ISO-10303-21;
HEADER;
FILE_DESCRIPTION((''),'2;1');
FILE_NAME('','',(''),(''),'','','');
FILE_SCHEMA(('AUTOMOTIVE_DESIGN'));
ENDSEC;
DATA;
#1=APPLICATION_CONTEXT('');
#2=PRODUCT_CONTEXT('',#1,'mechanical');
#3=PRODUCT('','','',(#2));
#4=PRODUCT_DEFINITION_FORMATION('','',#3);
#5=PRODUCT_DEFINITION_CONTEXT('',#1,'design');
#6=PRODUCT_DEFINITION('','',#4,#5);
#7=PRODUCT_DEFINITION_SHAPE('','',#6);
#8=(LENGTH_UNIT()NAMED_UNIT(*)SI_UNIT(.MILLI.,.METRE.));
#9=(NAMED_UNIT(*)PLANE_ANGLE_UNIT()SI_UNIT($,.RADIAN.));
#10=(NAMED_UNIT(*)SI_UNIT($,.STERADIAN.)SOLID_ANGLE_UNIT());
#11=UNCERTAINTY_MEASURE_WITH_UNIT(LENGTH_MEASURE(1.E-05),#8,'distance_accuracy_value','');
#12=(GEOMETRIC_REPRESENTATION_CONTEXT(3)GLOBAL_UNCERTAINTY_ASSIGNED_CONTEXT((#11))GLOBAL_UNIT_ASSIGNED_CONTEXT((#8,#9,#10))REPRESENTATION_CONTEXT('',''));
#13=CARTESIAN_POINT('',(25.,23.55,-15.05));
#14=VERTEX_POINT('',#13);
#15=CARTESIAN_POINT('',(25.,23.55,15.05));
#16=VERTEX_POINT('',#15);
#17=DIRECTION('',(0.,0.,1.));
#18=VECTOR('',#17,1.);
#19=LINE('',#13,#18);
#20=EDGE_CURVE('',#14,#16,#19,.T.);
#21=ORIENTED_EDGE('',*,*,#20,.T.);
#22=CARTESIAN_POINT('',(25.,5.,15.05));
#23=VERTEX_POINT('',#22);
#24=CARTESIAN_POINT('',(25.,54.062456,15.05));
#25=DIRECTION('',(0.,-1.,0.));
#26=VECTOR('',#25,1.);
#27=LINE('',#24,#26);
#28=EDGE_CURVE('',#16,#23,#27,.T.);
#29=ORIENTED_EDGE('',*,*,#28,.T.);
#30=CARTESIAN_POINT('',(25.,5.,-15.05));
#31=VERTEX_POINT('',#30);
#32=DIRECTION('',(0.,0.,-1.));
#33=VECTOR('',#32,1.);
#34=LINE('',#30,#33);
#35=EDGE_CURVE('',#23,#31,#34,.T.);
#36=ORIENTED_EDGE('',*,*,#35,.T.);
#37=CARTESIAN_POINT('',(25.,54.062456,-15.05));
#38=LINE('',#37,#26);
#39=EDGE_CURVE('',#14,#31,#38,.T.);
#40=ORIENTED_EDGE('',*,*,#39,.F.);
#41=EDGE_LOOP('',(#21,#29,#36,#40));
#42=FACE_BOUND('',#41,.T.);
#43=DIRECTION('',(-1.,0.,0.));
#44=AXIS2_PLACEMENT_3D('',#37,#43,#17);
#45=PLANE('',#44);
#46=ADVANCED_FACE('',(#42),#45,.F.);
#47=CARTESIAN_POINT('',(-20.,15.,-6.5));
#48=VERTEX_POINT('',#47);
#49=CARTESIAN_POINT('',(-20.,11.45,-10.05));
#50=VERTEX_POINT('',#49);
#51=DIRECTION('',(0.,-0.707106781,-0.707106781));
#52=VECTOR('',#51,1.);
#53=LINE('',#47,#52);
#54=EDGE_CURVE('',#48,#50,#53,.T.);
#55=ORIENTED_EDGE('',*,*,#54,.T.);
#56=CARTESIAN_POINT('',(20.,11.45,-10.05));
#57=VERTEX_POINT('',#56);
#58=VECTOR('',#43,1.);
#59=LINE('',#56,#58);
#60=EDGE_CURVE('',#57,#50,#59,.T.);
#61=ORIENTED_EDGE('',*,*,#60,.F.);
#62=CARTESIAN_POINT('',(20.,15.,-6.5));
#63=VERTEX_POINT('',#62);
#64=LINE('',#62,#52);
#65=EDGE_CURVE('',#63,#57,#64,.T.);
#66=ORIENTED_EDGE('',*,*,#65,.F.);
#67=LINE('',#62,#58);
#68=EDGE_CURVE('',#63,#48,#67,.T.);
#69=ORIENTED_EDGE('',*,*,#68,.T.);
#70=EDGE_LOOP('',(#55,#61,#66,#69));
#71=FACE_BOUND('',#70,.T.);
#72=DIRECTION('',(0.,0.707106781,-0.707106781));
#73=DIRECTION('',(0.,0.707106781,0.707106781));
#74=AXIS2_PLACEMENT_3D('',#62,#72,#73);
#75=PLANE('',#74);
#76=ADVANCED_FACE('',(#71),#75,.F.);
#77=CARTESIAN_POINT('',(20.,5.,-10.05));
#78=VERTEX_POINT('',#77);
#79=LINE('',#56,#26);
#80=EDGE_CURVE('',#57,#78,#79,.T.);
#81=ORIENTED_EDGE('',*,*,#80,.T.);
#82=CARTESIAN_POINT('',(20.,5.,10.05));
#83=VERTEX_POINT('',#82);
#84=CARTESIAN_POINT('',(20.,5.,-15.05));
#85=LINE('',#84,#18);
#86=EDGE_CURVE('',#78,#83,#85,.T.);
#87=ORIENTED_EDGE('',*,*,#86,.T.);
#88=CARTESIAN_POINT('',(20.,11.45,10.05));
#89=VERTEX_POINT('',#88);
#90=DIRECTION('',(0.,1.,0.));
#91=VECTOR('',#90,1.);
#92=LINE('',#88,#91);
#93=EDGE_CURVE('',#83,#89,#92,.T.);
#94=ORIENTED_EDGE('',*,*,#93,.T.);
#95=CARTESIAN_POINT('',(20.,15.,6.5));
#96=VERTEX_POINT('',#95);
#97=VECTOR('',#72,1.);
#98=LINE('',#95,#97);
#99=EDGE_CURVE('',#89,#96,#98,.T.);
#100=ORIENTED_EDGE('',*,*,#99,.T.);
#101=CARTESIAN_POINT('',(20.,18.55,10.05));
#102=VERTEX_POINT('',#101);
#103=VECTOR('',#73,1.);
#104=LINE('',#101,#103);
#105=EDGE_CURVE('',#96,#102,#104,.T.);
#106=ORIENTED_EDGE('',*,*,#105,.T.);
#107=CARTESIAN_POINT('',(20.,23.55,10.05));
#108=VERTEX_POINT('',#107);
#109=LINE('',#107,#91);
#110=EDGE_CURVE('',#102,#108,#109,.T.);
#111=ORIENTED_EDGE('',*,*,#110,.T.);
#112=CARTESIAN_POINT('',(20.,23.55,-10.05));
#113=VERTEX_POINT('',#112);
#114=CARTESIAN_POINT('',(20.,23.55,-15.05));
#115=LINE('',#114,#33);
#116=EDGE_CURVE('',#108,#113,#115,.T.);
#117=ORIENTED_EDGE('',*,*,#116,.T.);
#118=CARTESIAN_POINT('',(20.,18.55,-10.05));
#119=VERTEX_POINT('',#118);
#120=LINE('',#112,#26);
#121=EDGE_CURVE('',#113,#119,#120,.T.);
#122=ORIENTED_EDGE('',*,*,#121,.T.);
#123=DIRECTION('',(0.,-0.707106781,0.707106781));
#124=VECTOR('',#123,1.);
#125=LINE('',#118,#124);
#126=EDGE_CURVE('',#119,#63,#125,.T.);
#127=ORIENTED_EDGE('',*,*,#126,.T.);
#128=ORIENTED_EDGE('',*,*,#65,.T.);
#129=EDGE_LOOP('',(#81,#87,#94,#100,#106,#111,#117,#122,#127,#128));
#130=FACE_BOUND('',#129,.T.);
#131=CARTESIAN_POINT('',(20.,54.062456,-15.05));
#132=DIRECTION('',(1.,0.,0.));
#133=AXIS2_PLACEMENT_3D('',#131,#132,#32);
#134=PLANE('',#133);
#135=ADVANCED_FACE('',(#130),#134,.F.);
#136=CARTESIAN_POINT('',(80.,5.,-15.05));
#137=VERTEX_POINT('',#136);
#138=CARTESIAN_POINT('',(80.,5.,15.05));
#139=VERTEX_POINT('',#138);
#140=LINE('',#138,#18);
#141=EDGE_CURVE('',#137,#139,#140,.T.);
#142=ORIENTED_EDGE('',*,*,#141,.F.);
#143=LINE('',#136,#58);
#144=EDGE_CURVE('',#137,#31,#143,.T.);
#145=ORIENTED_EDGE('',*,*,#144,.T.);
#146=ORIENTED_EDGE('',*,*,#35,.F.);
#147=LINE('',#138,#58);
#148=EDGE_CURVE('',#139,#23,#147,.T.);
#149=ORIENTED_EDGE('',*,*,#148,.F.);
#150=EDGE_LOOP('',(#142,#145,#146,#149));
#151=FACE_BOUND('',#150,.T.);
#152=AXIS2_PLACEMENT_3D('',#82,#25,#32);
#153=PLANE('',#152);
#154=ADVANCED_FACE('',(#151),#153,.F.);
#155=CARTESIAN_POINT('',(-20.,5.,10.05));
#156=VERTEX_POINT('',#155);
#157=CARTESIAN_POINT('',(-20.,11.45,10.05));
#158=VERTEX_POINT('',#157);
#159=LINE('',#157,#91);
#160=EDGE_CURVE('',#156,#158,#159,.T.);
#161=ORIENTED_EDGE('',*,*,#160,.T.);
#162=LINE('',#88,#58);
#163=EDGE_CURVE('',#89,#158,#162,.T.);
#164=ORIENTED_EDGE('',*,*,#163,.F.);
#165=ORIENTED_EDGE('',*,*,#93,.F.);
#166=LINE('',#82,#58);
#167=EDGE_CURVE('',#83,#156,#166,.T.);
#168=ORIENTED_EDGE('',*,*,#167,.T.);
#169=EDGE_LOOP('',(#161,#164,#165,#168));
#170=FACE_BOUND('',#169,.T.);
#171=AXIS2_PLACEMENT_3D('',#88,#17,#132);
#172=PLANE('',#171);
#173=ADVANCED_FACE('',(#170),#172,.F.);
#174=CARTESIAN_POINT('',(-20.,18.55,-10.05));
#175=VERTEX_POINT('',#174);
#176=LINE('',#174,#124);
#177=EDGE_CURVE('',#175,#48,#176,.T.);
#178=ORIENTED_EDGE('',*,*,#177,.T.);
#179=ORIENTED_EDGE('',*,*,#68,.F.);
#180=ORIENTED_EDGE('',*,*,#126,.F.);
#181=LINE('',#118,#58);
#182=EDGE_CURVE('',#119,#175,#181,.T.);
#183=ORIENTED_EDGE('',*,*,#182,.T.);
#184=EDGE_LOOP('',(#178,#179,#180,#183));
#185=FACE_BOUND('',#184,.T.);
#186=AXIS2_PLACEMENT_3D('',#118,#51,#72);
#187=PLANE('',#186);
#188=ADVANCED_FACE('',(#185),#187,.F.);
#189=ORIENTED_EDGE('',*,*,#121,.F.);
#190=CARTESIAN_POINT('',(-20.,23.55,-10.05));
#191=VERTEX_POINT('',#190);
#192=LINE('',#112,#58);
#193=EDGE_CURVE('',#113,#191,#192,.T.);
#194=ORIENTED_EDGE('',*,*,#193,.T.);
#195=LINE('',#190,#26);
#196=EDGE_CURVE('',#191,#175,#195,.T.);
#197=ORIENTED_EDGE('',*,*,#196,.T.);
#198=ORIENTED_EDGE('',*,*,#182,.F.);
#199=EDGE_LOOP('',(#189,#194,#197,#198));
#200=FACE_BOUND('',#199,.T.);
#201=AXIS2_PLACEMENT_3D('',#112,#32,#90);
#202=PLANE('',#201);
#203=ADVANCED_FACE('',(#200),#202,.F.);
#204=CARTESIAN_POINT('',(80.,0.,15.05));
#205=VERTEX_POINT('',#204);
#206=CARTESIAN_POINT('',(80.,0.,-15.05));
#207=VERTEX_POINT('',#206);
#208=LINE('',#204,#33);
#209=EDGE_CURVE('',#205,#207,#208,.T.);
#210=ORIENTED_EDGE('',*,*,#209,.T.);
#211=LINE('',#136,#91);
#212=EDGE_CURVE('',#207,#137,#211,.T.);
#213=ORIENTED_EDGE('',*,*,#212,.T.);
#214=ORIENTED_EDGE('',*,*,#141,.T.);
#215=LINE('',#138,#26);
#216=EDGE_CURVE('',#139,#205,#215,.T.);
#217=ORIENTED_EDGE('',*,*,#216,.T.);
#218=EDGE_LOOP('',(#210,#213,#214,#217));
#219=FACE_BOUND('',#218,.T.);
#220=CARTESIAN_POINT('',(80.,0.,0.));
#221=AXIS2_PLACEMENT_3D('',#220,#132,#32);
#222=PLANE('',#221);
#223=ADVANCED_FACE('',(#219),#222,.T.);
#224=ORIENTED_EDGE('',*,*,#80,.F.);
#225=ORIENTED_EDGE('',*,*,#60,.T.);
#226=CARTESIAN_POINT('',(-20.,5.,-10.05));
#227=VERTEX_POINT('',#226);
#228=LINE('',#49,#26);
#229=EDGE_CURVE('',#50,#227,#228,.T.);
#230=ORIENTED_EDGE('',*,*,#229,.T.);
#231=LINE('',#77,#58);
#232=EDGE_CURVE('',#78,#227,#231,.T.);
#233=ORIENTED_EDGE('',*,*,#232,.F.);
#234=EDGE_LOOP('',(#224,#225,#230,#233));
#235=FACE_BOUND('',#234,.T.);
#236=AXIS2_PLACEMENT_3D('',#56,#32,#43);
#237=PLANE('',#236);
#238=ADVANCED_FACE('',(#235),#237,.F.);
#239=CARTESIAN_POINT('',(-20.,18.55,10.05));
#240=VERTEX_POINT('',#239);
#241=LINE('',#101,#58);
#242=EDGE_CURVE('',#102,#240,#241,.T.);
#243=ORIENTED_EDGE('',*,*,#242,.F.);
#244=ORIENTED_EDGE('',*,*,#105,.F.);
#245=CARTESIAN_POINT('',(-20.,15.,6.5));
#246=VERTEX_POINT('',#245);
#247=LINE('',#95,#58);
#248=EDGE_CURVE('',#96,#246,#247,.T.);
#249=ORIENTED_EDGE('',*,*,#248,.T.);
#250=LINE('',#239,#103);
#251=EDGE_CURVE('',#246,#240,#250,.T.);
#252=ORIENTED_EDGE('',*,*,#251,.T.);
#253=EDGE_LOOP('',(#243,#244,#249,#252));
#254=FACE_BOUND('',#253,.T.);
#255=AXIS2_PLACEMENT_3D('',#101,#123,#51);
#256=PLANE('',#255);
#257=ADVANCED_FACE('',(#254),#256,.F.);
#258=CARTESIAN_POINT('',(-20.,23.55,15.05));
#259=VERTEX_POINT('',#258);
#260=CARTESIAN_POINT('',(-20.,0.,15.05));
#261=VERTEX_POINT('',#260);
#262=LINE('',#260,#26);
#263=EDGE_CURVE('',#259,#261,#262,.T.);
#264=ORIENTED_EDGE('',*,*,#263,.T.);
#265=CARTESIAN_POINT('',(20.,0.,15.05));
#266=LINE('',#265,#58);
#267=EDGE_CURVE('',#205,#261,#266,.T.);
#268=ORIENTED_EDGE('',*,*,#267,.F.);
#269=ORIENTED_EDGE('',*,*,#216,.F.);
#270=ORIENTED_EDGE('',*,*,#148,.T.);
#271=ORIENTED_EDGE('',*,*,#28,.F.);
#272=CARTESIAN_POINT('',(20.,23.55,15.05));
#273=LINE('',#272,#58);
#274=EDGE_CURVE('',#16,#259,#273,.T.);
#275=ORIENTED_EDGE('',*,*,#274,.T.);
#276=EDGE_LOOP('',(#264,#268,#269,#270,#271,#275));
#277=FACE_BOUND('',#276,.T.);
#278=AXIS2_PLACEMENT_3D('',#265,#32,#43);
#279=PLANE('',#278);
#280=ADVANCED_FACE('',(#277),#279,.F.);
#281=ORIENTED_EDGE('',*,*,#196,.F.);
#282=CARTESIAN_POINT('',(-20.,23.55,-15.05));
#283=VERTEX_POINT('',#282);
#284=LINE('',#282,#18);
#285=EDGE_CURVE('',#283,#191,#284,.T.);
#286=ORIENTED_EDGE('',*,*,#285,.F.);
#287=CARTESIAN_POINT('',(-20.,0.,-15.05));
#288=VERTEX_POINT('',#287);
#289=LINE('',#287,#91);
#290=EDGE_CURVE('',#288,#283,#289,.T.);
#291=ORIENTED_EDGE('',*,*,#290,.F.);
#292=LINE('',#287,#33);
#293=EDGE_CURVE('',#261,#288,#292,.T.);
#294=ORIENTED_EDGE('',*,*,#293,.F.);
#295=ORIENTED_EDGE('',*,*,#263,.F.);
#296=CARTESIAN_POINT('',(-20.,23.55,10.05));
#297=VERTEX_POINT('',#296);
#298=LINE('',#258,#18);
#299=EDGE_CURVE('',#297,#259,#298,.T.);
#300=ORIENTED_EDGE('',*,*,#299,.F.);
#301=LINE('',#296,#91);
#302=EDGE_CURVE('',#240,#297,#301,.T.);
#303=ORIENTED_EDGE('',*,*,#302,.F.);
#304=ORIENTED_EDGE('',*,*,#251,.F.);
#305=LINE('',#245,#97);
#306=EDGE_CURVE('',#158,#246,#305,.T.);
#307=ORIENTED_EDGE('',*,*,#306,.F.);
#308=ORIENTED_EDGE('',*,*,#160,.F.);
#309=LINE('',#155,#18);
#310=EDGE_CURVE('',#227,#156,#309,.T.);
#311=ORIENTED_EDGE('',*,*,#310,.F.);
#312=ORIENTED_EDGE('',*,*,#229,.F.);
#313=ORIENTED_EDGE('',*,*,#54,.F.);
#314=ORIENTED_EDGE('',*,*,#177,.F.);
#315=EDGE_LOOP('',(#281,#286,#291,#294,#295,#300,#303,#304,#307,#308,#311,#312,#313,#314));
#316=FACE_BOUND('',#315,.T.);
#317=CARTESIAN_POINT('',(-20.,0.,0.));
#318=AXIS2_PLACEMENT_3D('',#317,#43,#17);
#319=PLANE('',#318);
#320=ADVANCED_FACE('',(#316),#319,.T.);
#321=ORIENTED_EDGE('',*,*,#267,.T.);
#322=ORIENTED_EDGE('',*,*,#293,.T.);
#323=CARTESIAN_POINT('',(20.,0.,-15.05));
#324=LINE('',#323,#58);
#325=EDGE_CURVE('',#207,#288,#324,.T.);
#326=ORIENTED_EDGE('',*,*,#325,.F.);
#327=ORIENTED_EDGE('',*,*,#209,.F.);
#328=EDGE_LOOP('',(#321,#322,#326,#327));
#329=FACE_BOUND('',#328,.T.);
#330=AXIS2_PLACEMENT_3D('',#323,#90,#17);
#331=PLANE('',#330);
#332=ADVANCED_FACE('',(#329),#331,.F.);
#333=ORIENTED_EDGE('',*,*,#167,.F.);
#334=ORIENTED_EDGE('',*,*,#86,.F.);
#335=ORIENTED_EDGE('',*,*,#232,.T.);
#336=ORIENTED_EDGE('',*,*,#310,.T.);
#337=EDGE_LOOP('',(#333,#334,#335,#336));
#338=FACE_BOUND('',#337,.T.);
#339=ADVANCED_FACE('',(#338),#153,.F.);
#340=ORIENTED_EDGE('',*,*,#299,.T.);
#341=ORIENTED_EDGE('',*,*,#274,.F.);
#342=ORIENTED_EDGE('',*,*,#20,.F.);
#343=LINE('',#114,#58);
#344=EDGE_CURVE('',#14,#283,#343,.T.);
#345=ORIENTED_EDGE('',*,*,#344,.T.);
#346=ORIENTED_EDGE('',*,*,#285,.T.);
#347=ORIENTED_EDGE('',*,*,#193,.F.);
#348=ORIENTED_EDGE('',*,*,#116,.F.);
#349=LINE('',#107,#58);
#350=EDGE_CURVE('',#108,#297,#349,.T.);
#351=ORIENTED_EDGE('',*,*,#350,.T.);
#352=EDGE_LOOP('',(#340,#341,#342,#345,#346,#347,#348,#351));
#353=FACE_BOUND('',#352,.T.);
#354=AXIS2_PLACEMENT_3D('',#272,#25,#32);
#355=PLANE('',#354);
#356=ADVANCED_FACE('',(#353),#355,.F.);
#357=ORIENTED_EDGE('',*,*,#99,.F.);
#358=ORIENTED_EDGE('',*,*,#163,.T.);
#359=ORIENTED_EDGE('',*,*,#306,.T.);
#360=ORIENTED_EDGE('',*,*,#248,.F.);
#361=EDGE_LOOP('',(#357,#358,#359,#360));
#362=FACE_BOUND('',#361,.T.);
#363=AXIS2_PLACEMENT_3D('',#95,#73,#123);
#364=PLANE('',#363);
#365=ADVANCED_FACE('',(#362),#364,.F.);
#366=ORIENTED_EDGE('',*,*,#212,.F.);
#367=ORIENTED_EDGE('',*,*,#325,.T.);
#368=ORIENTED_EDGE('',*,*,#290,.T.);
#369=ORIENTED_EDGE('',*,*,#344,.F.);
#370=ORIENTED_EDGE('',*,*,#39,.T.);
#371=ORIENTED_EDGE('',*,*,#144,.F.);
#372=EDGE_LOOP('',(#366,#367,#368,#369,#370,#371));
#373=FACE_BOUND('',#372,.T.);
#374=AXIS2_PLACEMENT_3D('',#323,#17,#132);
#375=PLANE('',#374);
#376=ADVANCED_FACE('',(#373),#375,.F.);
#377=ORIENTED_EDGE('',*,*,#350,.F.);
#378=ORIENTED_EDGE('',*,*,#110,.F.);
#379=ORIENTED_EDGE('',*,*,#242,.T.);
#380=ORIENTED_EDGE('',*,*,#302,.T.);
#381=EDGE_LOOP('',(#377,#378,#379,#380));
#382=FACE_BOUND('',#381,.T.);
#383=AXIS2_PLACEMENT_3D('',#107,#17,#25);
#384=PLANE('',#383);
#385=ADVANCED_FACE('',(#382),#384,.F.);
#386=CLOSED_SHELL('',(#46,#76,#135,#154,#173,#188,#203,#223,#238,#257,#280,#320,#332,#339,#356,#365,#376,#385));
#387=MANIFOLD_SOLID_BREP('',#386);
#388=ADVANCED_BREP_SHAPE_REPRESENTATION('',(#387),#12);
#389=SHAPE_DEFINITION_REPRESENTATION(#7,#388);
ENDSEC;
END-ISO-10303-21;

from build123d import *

# Parameters (mm, degrees)
BOSS_EXTRUDE1_DEPTH = 20
SKETCH3_W           = 30.1
SKETCH3_H           = 5
BOSS_EXTRUDE2_DEPTH = 60
SKETCH4_W           = 5
SKETCH4_H           = 30.1
BOSS_EXTRUDE3_DEPTH = 18.55


with BuildPart() as part:
    # Sketch2 → Boss-Extrude1 (new, symmetric)
    with BuildSketch(Plane(origin=(0, 0, 0), x_dir=(0, 0, -1), z_dir=(1, 0, 0))):
        Polygon((15.05, 0), (-15.05, 0), (-15.05, 23.55), (-10.05, 23.55), (-10.05, 18.55), (-6.5, 15), (-10.05, 11.45), (-10.05, 5), (10.05, 5), (10.05, 11.45), (6.5, 15), (10.05, 18.55), (10.05, 23.55), (15.05, 23.55), align=None)
    extrude(amount=BOSS_EXTRUDE1_DEPTH, both=True)

    # Sketch3 → Boss-Extrude2 (add)
    with BuildSketch(Plane(origin=(20, 0, 0), x_dir=(0, 0, -1), z_dir=(1, 0, 0))):
        with Locations((0, 2.5)):
            Rectangle(SKETCH3_W, SKETCH3_H)
    extrude(amount=BOSS_EXTRUDE2_DEPTH)

    # Sketch4 → Boss-Extrude3 (add)
    with BuildSketch(Plane(origin=(0, 5, 0), x_dir=(1, 0, 0), z_dir=(0, 1, 0))):
        with Locations((22.5, 0)):
            Rectangle(SKETCH4_W, SKETCH4_H)
    extrude(amount=BOSS_EXTRUDE3_DEPTH)


solid = part.part
